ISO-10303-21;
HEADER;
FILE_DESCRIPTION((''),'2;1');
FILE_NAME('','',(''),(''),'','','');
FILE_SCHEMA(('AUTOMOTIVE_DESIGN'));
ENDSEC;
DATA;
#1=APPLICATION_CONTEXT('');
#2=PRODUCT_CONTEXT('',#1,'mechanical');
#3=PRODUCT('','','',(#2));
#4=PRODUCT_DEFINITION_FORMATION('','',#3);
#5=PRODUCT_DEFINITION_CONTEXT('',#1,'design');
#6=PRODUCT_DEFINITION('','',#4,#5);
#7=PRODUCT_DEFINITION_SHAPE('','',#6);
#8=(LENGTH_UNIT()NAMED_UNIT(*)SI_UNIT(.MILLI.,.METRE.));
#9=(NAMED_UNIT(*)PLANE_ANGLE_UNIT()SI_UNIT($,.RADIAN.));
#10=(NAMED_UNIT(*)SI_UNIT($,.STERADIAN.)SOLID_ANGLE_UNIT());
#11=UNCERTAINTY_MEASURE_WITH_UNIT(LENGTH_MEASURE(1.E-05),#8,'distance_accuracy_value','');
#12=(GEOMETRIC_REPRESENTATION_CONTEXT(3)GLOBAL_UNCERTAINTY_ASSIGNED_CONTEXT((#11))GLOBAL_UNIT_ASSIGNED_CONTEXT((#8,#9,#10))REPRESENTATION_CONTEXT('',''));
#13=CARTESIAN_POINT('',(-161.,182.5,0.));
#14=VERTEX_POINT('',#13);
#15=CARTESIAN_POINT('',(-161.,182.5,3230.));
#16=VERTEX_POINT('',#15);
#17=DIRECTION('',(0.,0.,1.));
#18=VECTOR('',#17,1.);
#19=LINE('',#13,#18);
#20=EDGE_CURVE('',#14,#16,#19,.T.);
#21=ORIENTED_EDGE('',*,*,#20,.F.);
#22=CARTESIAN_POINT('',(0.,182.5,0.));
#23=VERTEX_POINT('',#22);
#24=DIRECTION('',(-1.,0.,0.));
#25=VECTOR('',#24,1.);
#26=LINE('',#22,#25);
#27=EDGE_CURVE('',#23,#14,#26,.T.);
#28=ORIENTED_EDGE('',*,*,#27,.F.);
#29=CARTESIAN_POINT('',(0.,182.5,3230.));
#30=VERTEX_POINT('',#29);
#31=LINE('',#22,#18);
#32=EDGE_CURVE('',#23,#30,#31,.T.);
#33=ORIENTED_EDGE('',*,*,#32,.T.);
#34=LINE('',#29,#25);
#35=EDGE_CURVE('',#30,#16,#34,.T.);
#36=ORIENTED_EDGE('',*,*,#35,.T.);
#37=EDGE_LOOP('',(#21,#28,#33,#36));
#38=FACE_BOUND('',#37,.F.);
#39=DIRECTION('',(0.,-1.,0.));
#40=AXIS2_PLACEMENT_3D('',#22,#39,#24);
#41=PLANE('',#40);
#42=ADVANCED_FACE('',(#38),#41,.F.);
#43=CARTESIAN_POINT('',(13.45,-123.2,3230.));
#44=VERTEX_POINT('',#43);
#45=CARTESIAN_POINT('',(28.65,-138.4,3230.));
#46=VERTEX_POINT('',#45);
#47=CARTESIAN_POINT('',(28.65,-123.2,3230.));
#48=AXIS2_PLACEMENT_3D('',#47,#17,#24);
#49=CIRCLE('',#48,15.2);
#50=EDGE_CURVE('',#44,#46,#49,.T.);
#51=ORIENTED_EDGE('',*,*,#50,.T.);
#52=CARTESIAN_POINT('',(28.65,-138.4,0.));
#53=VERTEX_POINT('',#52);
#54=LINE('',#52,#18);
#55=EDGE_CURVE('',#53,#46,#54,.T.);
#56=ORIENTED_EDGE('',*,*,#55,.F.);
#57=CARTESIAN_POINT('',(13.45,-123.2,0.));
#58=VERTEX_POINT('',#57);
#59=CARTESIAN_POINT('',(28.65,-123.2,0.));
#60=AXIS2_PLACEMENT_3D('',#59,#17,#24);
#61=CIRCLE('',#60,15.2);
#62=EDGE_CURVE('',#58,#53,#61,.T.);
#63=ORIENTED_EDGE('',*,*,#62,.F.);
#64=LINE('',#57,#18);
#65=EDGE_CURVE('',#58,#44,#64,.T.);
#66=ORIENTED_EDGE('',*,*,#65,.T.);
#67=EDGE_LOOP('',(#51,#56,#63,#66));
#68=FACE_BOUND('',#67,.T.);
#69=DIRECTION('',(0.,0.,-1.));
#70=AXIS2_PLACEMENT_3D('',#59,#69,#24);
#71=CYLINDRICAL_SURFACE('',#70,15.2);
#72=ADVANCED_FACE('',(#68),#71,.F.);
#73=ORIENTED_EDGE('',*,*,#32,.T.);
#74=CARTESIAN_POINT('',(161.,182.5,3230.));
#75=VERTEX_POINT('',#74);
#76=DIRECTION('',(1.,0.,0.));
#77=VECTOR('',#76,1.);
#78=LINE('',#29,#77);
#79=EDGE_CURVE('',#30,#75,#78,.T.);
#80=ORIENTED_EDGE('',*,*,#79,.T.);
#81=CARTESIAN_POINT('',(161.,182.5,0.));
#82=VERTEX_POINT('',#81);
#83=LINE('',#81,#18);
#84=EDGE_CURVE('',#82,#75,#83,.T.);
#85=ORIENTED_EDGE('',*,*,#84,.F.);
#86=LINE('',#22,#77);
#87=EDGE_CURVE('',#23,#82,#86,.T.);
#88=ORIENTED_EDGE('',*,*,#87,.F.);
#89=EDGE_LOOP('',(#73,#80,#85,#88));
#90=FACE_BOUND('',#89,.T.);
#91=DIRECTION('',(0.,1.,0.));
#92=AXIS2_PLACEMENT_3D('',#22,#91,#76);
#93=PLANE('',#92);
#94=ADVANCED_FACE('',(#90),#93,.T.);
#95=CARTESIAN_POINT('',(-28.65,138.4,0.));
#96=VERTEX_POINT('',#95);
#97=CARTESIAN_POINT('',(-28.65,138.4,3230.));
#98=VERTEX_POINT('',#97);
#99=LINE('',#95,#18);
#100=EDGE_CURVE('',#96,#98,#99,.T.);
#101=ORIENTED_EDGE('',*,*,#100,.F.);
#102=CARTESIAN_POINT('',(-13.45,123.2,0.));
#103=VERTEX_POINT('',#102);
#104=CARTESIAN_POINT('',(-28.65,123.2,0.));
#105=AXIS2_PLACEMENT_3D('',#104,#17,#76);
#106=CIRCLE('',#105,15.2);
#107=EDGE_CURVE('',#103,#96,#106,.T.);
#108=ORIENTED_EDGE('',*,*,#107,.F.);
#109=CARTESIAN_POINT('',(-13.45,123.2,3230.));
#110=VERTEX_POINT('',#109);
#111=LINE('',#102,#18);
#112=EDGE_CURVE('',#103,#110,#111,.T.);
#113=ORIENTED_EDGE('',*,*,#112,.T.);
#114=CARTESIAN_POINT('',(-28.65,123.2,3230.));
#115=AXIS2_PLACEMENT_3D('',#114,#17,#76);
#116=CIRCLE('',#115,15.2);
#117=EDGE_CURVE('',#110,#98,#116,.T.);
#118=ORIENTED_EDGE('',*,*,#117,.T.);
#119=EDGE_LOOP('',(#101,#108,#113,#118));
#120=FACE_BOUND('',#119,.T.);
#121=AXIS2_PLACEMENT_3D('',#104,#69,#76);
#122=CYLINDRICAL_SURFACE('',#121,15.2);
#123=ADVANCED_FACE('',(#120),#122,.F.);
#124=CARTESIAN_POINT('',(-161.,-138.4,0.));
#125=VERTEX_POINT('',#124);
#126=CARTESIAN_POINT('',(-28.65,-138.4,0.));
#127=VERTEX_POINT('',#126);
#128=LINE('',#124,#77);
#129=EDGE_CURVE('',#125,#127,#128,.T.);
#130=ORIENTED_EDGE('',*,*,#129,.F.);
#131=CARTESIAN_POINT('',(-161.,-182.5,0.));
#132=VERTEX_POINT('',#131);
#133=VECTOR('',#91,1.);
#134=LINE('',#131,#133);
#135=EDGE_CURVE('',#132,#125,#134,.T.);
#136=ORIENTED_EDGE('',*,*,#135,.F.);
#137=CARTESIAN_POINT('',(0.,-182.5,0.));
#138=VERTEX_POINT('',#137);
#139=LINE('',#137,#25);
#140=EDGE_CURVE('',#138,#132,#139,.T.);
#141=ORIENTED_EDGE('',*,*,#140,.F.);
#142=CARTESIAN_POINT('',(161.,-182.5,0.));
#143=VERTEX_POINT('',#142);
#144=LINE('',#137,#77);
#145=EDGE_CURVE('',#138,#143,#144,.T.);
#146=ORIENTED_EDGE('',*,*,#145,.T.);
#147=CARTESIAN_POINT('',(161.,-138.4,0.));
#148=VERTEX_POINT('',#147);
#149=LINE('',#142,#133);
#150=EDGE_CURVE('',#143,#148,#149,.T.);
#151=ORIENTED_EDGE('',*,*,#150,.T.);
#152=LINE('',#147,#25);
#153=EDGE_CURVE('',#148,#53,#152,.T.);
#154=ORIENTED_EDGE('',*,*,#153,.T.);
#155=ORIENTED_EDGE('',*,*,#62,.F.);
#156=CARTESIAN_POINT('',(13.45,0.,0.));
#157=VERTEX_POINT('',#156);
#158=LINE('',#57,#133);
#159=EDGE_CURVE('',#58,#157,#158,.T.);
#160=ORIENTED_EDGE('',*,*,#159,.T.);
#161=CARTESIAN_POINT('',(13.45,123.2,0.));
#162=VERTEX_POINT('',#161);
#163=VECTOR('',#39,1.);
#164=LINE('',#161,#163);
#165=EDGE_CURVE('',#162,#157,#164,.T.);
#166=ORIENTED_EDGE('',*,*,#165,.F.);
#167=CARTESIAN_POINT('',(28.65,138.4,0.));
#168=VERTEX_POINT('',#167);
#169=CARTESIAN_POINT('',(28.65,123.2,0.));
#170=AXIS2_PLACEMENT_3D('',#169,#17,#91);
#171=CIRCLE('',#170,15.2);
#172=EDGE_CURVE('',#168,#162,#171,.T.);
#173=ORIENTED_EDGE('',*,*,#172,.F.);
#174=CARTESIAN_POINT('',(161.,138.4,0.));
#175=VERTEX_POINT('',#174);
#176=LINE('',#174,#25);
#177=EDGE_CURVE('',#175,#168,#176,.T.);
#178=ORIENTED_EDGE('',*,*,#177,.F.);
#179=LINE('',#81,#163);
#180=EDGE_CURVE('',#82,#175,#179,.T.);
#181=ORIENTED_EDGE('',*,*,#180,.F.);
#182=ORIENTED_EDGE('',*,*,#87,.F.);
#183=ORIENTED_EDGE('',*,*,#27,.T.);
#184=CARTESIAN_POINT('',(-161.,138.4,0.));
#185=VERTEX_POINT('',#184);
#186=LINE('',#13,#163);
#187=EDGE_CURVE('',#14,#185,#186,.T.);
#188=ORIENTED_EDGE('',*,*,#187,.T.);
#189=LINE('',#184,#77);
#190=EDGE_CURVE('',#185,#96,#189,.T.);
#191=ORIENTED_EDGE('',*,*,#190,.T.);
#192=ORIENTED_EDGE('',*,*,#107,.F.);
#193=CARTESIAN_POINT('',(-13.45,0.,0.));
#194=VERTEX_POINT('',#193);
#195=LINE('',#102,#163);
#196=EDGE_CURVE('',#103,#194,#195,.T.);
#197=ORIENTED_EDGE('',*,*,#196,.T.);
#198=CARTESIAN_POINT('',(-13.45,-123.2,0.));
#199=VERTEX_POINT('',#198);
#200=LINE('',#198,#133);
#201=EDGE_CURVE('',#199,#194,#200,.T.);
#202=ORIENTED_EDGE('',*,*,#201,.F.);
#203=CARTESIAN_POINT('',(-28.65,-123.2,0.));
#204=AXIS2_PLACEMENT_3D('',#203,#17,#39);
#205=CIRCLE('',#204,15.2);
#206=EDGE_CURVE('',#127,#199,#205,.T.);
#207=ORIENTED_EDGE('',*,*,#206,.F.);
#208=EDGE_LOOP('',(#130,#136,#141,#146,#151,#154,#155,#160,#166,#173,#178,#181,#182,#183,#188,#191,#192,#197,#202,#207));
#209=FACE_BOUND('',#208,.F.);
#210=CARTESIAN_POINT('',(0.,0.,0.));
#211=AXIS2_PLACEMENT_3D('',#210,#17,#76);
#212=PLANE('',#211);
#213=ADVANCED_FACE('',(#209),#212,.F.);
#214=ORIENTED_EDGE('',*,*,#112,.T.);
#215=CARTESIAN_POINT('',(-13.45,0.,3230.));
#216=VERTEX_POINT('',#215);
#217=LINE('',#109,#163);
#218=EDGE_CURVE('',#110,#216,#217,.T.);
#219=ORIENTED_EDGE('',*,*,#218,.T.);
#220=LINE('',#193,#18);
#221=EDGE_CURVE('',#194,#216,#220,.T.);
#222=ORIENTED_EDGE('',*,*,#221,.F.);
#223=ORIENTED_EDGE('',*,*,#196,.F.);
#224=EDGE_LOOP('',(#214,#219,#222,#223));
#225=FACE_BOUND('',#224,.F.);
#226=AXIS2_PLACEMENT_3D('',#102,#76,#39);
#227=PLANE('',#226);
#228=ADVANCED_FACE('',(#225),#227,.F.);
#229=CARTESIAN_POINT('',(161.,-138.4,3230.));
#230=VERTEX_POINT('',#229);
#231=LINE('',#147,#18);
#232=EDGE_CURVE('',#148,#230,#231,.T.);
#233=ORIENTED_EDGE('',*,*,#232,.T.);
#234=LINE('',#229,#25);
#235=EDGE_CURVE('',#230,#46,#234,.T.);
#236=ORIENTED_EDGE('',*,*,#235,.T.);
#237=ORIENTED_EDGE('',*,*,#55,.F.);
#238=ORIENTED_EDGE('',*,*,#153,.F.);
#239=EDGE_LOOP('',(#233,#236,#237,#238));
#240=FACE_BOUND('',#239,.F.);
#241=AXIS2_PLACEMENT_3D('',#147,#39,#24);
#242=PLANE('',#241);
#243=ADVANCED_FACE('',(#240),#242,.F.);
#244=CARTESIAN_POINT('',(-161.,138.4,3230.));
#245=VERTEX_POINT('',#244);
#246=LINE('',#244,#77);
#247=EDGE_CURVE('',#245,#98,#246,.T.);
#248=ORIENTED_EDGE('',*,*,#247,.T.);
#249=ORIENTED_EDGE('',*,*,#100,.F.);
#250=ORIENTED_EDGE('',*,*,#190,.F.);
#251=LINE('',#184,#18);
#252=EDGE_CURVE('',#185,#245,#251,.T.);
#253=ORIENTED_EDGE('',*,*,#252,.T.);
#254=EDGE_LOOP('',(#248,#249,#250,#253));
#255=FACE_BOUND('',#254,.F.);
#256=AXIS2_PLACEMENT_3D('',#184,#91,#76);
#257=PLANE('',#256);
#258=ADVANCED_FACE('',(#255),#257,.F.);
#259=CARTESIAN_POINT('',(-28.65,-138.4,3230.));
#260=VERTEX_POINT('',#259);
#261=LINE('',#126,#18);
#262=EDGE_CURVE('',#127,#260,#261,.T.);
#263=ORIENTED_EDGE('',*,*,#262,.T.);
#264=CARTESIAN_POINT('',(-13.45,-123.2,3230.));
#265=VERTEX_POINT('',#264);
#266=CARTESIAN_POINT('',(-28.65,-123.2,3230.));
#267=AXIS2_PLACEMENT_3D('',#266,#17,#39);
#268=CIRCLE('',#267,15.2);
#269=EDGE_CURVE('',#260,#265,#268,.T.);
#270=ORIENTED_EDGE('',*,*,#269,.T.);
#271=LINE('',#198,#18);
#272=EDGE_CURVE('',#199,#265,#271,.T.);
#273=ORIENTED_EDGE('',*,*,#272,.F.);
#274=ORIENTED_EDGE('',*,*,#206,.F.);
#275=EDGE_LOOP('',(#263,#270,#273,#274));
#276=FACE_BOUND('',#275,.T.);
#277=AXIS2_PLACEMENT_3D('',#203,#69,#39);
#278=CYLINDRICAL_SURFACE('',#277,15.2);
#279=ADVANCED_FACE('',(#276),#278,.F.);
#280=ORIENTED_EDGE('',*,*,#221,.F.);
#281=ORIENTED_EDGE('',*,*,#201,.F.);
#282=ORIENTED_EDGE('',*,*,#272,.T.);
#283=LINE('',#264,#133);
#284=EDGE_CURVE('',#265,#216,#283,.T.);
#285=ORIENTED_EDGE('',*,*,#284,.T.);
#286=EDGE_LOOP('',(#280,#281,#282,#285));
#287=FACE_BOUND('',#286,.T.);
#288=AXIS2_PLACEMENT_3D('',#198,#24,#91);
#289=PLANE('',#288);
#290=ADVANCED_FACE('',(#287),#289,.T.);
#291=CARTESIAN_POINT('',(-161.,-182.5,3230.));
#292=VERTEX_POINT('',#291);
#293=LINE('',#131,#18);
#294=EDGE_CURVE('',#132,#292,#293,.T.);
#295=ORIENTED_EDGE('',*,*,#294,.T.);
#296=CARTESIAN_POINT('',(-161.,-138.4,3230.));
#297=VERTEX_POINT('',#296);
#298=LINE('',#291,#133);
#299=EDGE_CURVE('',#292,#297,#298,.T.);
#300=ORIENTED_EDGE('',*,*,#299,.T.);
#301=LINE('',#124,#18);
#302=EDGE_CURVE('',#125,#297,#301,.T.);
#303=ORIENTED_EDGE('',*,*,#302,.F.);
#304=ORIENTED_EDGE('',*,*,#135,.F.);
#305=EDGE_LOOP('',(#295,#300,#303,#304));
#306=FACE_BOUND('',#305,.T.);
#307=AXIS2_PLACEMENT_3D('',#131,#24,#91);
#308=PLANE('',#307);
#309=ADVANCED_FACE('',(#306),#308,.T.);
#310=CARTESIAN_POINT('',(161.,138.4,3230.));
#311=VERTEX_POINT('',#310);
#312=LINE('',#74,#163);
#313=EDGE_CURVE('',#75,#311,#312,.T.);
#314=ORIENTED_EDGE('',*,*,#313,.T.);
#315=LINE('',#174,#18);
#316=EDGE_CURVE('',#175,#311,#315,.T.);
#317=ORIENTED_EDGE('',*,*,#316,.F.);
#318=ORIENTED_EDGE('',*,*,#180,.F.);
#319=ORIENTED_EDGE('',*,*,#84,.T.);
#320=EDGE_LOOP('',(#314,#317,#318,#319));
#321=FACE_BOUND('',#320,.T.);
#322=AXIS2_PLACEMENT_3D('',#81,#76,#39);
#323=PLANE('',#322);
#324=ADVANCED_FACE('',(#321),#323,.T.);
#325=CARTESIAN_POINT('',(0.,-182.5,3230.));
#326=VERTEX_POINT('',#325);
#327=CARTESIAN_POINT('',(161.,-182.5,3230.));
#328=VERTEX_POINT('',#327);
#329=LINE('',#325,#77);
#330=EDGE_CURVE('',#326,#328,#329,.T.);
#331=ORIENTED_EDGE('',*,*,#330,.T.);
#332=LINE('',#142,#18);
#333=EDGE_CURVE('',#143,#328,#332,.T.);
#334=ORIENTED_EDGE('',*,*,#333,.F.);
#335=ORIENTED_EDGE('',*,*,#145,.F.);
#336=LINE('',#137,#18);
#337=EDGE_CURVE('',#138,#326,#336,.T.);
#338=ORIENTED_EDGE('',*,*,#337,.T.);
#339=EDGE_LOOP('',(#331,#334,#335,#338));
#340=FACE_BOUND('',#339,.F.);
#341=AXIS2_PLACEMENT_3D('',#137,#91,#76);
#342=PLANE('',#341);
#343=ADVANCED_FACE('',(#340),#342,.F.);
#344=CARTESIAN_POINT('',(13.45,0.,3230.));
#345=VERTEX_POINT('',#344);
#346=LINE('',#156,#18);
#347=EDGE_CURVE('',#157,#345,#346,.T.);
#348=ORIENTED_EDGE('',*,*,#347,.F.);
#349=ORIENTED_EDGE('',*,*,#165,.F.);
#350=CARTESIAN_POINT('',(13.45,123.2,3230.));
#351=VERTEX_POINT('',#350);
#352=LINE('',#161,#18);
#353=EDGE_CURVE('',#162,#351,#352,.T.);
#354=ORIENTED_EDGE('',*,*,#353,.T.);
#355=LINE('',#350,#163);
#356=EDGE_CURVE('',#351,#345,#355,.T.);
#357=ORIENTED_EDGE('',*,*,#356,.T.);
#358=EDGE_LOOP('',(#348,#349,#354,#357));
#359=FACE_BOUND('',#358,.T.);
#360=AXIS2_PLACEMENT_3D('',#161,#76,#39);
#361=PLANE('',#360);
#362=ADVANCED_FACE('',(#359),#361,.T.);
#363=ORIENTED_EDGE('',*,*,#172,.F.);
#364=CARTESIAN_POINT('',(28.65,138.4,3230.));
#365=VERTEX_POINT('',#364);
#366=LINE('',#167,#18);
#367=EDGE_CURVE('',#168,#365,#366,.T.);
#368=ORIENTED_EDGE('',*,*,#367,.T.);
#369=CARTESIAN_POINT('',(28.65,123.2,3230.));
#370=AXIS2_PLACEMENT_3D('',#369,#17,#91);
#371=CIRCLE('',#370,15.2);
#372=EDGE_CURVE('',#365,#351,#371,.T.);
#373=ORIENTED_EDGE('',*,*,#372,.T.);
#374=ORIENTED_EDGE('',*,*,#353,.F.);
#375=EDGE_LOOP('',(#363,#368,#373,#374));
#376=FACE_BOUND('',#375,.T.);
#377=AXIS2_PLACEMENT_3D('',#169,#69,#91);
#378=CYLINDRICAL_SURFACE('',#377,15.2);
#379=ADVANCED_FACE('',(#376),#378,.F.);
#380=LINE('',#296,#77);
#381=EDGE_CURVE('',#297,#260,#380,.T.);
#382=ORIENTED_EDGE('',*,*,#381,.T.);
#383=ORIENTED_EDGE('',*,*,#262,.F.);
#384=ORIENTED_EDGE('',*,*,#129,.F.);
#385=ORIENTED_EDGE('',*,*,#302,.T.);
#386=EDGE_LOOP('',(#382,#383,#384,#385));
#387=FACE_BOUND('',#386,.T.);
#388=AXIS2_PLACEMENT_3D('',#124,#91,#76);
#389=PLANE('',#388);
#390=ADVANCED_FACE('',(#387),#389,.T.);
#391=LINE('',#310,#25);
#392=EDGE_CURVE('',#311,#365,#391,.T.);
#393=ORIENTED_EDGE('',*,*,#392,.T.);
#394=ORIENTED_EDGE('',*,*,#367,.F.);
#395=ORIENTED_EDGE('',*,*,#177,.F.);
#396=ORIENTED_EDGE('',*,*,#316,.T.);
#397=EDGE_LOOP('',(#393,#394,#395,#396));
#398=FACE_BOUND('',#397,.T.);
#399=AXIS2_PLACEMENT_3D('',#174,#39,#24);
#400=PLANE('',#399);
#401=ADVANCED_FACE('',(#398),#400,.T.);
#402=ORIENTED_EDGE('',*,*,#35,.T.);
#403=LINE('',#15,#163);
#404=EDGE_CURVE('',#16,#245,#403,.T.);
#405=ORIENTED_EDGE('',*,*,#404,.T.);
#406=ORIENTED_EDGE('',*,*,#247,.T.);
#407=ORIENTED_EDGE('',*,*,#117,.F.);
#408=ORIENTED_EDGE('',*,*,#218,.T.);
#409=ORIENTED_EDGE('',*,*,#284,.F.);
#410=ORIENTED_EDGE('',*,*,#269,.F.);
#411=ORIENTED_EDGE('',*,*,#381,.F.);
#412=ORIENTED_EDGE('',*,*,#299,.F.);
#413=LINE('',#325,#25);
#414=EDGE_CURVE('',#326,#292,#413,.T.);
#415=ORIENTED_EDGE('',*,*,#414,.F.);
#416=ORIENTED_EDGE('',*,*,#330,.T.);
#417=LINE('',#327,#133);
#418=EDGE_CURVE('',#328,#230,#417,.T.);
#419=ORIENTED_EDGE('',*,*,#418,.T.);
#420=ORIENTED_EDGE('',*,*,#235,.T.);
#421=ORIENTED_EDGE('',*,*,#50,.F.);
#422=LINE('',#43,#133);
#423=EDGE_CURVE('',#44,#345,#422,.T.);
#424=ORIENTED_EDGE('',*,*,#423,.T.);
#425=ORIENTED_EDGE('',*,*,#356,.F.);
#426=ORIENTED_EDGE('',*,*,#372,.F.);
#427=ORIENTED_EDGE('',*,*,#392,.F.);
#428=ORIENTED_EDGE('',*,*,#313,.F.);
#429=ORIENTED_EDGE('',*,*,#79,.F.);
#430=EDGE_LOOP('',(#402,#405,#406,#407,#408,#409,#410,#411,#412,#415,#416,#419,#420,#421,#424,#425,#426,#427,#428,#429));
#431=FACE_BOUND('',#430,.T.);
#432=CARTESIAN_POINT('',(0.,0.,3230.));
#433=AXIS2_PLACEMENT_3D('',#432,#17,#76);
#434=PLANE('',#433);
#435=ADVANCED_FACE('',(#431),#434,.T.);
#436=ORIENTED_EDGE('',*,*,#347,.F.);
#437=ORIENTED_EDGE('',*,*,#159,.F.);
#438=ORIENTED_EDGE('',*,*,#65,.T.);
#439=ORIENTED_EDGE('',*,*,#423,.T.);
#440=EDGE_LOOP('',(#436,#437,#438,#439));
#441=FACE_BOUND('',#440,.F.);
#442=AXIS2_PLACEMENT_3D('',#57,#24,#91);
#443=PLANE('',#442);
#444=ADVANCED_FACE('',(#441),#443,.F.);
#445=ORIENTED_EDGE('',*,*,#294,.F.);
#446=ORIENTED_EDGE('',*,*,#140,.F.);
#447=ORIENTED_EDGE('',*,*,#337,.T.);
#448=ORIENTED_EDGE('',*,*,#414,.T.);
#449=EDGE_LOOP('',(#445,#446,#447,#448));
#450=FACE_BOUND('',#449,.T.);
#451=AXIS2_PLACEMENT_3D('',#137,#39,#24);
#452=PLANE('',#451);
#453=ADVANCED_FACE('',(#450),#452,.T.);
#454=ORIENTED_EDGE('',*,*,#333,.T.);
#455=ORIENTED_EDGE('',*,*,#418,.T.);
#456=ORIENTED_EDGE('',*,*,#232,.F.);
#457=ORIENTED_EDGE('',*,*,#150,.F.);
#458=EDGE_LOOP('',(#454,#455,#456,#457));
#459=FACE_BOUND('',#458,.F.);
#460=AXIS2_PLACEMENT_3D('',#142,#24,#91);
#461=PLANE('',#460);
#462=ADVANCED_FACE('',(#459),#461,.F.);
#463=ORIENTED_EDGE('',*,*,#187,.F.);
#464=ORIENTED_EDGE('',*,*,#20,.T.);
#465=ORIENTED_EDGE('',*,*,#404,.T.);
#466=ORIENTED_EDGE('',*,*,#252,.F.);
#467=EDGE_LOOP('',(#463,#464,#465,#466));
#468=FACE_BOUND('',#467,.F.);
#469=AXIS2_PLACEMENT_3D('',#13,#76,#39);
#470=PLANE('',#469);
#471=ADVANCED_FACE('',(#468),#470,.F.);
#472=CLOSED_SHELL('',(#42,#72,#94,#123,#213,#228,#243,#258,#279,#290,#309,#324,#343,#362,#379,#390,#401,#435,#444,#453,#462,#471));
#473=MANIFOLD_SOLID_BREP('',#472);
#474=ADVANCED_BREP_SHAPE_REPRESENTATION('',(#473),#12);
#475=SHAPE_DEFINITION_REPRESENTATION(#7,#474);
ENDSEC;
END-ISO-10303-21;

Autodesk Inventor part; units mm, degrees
ref_plane "YZ Plane" through (0, 0, 0) normal (1, 0, 0) x (0, 1, 0)
ref_plane "Start plane" through (0, 0, 0) normal (0, 0, 1) x (1, 0, 0)
ref_plane "End plane" through (0, 0, 3230) normal (0, 0, 1) x (1, 0, 0)
sketch "Sketch" plane through (0, 0, 0) normal (0, 0, 1) x (1, 0, 0)
  line L0 (-161, -182.5) -> (-161, -138.4)
  line L1 (-161, -138.4) -> (-28.65, -138.4)
  line L2 (-13.45, -123.2) -> (-13.45, 0)
  line L3 (-13.45, 0) -> (0, 0) construction
  line L4 (0, 0) -> (0, -182.5) construction
  line L5 (0, -182.5) -> (-161, -182.5)
  line L6 (-60, 0) -> (80, 0) construction
  line L7 (0, -60) -> (0, 80) construction
  line L8 (161, -182.5) -> (161, -138.4)
  line L9 (161, -138.4) -> (28.65, -138.4)
  line L10 (13.45, -123.2) -> (13.45, 0)
  line L11 (13.45, 0) -> (0, 0) construction
  line L12 (0, -182.5) -> (161, -182.5)
  line L13 (-161, 182.5) -> (-161, 138.4)
  line L14 (-161, 138.4) -> (-28.65, 138.4)
  line L15 (-13.45, 123.2) -> (-13.45, 0)
  line L16 (0, 182.5) -> (-161, 182.5)
  line L17 (161, 182.5) -> (161, 138.4)
  line L18 (161, 138.4) -> (28.65, 138.4)
  line L19 (0, 182.5) -> (161, 182.5)
  line L20 (13.45, 123.2) -> (13.45, 0)
  arc A0 (-13.45, 123.2) -> (-28.65, 138.4) centre (-28.65, 123.2) ccw
  arc A1 (28.65, 138.4) -> (13.45, 123.2) centre (28.65, 123.2) ccw
  arc A2 (13.45, -123.2) -> (28.65, -138.4) centre (28.65, -123.2) ccw
  arc A3 (-28.65, -138.4) -> (-13.45, -123.2) centre (-28.65, -123.2) ccw
  line L21 (0, 108) -> (0, -88) construction
  line L22 (-88, 0) -> (108, 0) construction
  point P0 (-13.45, -138.4)
  point P1 (13.45, -138.4)
  point P2 (-13.45, 138.4)
  point P3 (13.45, 138.4)
  dimension "d1" = 182.5
  dimension "d2" = 44.1
  dimension "d3" = 161
  dimension "d4" = 13.45
  dimension "d10" = 15.2
extrude "Body" add sketch "Sketch" along normal up to surface (3230 mm away) from surface at 0
sketch "Sketch4" plane through (0, 0, 0) normal (0, 0, 1) x (1, 0, 0)
  line L0 (0, 0) -> (10, 0)
ref_plane "Work Plane3" through (0, 0, 0) normal (0, -1, 0) x (1, 0, 0)
sketch "Sketch5" plane through (0, 0, 0) normal (0, -1, 0) x (1, 0, 0)
  line L0 (-2, 0) -> (12, 0) projected
  line L1 (-2, 3230) -> (12, 3230) projected
  dimension "d14" = 3230
equation "\"d1\" = 0.5 * G_H"
equation "\"d2\" = G_T1"
equation "\"d3\" = 0.5 * G_W"
equation "\"d4\" = 0.5 * G_T"
equation "\"d10\" = G_IR"
equation "\"d5\" = G_L"
equation "\"G_W\" = 322"
equation "\"G_H\" = 365"
equation "\"G_T\" = 26.9"
equation "\"G_T1\" = 44.1"
equation "\"G_IR\" = 15.2"
equation "\"G_L\" = d14"
equation "\"G_OFFSET_START\" = 0"
equation "\"G_OFFSET_END\" = 0"
properties part number "AS 3679 - 310 UC - 283 - 3230" material "Steel, Mild"
